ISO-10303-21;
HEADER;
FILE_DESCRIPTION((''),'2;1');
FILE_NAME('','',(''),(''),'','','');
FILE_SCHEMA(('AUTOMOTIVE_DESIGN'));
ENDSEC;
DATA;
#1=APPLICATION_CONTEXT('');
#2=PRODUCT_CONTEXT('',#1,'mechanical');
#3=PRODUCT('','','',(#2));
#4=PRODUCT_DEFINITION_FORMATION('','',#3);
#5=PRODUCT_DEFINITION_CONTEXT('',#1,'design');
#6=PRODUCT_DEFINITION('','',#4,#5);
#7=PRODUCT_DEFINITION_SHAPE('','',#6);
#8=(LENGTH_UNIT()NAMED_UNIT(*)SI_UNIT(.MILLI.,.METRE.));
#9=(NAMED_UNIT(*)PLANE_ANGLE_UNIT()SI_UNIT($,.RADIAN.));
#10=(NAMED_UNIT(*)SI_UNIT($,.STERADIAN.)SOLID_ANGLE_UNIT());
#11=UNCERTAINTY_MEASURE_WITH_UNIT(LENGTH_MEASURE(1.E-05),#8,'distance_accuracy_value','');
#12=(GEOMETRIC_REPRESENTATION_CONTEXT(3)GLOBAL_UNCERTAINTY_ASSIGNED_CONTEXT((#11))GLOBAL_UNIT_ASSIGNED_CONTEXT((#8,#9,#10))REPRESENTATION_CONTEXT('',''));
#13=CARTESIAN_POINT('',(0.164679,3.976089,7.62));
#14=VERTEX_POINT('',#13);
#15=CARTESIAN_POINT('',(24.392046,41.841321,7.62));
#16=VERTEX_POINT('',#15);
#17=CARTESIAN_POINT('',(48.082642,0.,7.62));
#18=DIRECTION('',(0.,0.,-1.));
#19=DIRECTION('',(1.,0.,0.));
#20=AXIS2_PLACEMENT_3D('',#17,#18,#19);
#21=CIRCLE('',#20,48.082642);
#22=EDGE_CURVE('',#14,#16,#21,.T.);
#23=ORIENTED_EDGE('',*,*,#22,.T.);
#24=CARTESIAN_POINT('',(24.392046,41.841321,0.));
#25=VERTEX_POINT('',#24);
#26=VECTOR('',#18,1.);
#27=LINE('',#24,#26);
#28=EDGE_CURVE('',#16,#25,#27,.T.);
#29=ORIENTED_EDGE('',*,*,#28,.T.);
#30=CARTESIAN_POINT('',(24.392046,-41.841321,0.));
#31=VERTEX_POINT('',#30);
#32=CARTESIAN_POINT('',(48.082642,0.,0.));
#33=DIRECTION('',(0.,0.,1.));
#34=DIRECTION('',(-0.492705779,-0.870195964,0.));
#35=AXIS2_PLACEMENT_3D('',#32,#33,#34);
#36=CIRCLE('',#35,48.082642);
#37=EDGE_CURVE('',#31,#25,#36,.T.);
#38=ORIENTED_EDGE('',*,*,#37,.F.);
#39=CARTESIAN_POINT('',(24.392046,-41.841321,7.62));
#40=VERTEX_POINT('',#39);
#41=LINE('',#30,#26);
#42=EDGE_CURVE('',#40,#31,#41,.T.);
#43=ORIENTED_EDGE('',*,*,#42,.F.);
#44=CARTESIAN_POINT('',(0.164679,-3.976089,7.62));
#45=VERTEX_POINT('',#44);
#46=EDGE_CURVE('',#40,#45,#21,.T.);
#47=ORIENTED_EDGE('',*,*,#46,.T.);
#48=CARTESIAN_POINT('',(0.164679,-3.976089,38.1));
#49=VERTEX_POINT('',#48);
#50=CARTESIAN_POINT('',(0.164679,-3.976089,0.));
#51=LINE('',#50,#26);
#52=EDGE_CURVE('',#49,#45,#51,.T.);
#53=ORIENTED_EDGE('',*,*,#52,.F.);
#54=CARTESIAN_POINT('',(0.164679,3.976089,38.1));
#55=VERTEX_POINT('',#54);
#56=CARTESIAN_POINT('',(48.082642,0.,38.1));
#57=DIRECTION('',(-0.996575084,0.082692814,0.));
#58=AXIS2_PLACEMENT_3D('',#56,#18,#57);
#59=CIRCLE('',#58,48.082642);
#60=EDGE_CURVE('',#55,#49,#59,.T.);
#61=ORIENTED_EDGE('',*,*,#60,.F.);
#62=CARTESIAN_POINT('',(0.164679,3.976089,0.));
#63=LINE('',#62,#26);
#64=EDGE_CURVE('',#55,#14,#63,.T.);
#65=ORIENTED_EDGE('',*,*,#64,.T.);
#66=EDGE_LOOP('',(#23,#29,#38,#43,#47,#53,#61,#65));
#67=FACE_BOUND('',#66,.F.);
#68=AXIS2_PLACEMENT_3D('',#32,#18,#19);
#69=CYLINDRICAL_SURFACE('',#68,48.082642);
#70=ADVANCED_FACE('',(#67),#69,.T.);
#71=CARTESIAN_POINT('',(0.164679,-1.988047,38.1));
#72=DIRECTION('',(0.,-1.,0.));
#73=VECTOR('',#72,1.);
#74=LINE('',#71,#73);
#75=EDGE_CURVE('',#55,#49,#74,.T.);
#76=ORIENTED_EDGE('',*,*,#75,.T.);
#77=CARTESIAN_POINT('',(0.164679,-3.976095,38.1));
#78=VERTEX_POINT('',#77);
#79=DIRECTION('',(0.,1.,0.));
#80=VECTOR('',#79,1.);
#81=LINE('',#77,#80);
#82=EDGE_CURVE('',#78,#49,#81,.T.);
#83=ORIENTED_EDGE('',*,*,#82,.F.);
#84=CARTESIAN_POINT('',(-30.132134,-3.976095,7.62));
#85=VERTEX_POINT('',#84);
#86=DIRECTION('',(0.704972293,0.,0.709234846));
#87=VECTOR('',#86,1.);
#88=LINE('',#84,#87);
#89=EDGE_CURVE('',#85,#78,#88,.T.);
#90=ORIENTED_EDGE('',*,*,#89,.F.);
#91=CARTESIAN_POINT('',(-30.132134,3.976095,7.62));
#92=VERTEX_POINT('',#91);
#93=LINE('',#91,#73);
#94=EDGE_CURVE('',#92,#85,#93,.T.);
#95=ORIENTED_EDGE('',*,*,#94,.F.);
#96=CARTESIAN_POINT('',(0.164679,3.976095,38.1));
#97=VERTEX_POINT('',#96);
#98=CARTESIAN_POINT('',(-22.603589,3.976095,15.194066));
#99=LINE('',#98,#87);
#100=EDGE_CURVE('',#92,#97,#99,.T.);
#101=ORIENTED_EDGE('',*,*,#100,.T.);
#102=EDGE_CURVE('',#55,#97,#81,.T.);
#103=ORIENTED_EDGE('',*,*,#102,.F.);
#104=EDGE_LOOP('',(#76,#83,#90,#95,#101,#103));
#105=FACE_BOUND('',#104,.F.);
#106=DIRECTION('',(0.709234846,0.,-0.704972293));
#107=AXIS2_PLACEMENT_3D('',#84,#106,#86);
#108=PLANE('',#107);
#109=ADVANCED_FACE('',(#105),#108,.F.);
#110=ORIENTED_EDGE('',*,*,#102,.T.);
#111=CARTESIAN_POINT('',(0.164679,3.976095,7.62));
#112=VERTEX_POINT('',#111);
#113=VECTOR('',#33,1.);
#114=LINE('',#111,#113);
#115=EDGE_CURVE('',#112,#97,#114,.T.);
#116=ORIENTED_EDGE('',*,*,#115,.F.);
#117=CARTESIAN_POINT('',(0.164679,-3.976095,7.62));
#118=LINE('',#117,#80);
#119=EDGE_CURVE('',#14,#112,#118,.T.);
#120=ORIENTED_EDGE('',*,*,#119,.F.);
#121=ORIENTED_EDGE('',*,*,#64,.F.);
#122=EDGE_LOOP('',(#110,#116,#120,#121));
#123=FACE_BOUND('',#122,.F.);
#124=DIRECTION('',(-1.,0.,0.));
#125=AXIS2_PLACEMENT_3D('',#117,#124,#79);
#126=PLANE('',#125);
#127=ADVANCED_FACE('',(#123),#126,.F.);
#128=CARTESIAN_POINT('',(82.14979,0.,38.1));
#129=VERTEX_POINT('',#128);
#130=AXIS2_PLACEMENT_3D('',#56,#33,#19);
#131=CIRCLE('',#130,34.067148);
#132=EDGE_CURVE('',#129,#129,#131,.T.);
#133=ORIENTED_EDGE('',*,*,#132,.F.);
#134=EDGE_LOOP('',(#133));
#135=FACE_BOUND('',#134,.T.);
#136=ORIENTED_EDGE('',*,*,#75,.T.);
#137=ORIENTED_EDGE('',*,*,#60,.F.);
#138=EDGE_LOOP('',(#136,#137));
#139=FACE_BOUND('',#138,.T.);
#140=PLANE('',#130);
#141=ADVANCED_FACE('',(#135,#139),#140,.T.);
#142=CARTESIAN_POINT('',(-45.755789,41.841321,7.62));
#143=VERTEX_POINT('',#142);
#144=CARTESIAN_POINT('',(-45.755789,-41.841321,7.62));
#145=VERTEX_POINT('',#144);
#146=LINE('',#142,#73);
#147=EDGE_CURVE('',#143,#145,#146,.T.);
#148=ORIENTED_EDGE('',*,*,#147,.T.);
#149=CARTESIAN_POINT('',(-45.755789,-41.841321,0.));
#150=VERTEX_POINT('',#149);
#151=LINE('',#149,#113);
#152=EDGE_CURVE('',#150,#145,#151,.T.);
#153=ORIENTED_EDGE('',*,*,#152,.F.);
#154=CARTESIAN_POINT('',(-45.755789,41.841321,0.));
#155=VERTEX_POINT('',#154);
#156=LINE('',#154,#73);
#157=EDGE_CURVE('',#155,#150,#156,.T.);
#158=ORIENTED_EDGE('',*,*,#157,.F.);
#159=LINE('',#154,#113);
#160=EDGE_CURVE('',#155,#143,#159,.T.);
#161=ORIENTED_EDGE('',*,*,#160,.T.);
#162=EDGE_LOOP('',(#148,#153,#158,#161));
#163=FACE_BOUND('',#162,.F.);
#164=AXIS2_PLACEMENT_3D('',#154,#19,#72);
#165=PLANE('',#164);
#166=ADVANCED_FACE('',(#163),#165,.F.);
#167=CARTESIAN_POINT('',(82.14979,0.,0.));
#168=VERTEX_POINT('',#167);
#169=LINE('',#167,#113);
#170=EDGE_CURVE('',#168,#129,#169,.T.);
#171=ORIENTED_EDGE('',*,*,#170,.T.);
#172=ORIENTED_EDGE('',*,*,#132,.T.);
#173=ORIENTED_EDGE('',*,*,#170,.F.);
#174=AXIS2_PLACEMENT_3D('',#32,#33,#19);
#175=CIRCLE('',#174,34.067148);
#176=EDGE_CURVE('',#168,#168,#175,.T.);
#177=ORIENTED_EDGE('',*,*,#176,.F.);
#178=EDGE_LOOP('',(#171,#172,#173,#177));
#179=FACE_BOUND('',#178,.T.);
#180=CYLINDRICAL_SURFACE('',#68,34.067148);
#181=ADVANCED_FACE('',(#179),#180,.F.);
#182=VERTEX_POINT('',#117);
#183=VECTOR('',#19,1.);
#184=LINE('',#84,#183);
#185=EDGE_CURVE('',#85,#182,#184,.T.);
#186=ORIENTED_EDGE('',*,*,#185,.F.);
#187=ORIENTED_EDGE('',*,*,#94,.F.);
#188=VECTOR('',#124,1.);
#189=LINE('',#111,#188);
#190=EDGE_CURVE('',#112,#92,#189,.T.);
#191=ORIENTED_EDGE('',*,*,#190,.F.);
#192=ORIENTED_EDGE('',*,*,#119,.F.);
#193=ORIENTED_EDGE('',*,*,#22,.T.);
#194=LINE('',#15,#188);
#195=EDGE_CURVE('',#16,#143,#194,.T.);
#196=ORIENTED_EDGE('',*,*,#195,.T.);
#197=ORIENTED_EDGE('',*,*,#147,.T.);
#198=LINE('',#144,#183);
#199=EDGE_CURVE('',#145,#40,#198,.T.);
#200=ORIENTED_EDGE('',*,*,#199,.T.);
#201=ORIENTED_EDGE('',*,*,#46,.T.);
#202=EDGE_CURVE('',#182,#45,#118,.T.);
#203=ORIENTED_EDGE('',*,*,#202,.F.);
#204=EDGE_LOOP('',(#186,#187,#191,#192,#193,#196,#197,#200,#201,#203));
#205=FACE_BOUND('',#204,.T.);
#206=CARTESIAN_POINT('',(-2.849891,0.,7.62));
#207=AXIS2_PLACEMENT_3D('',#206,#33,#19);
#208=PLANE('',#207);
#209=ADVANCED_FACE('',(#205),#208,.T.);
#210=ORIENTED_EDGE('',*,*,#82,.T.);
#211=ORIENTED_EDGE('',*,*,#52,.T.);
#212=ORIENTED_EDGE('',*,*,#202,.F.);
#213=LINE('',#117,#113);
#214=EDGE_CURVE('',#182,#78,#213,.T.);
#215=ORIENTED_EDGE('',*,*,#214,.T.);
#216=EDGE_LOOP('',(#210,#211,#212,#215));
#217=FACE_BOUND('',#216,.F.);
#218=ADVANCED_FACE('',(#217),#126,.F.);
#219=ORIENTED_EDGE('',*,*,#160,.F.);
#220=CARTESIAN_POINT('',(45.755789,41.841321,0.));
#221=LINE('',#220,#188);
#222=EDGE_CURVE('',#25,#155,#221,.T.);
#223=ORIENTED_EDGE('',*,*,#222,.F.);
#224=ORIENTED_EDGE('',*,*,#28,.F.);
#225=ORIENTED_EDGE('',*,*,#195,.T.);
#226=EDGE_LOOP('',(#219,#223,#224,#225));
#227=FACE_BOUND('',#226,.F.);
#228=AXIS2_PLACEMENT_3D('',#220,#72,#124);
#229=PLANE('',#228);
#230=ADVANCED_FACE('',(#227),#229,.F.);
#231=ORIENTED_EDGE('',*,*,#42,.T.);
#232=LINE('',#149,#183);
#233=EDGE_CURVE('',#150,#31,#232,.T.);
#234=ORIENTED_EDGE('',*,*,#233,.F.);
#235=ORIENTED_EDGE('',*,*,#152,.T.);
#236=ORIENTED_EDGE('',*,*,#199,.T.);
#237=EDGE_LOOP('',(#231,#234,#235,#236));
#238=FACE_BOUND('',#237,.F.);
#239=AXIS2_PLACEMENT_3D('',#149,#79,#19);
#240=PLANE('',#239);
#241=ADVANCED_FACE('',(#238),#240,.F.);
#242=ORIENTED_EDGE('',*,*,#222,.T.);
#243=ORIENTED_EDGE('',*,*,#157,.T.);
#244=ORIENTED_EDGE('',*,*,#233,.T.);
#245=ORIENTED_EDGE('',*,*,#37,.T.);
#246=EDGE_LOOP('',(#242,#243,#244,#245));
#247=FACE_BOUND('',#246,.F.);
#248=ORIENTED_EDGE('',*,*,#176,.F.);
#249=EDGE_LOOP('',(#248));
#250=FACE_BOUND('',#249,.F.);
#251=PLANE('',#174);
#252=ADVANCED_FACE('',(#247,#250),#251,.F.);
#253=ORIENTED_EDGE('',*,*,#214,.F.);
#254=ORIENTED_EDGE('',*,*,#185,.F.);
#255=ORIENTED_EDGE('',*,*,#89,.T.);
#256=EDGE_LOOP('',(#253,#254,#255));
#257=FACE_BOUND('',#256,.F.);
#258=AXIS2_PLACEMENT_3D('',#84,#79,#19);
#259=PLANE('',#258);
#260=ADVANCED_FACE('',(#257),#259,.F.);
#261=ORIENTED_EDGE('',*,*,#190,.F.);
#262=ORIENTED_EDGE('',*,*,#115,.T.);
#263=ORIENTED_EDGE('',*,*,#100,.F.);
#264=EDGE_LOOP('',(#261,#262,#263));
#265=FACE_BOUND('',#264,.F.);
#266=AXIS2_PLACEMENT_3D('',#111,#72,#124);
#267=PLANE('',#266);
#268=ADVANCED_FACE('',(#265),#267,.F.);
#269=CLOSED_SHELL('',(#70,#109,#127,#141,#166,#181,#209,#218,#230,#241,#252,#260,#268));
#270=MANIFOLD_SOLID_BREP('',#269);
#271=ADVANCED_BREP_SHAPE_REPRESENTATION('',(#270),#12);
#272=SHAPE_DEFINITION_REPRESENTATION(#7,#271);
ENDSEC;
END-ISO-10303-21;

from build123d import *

# Parameters (mm, degrees)
F1_DEPTH = 7.62
F2_R     = 48.082642
F2_R_2   = 34.067148
F3_DEPTH = 38.1
F5_DEPTH = 38.1
F7_DEPTH = 52.059737


with BuildPart() as f1:
    # F0 (on Top) → F1 (new body)
    with BuildSketch(Plane.XY):
        with BuildLine():
            Line((-45.755789, -41.841321), (45.755789, -41.841321))
            ThreePointArc((45.755789, -41.841321), (3.914468, 0), (45.755789, 41.841321))
            Line((45.755789, 41.841321), (-45.755789, 41.841321))
            Line((-45.755789, 41.841321), (-45.755789, -41.841321))
        make_face()
    extrude(amount=F1_DEPTH)

    # F2 (on Top) → F3 (join)
    with BuildSketch(Plane.XY):
        with Locations((48.082642, 0)):
            Circle(F2_R)
        with Locations((48.082642, 0)):
            Circle(F2_R_2, mode=Mode.SUBTRACT)
    extrude(amount=F3_DEPTH)

    # F4 (on face) → F5 (join)
    with BuildSketch(Plane.XY.offset(7.62)):
        with BuildLine():
            Line((0.164679, -3.976095), (0.164679, 3.976095))
            ThreePointArc((0.164679, 3.976095), (0, 0), (0.164679, -3.976095))
        make_face()
        with BuildLine():
            ThreePointArc((0.164679, -3.976095), (0, 0), (0.164679, 3.976095))
            Line((0.164679, 3.976095), (-30.132134, 3.976095))
            Line((-30.132134, 3.976095), (-30.132134, -3.976095))
            Line((-30.132134, -3.976095), (0.164679, -3.976095))
        make_face()
    extrude(amount=F5_DEPTH)

    # F6 (on face) → F7 (cut, through all)
    with BuildSketch(Plane.XZ.offset(3.976095)):
        Polygon((-30.132134, 7.62), (0.164679, 38.1), (0.164679, 45.72), (-30.132134, 45.72), align=None)
    extrude(amount=-F7_DEPTH, mode=Mode.SUBTRACT)


solid = f1.part
